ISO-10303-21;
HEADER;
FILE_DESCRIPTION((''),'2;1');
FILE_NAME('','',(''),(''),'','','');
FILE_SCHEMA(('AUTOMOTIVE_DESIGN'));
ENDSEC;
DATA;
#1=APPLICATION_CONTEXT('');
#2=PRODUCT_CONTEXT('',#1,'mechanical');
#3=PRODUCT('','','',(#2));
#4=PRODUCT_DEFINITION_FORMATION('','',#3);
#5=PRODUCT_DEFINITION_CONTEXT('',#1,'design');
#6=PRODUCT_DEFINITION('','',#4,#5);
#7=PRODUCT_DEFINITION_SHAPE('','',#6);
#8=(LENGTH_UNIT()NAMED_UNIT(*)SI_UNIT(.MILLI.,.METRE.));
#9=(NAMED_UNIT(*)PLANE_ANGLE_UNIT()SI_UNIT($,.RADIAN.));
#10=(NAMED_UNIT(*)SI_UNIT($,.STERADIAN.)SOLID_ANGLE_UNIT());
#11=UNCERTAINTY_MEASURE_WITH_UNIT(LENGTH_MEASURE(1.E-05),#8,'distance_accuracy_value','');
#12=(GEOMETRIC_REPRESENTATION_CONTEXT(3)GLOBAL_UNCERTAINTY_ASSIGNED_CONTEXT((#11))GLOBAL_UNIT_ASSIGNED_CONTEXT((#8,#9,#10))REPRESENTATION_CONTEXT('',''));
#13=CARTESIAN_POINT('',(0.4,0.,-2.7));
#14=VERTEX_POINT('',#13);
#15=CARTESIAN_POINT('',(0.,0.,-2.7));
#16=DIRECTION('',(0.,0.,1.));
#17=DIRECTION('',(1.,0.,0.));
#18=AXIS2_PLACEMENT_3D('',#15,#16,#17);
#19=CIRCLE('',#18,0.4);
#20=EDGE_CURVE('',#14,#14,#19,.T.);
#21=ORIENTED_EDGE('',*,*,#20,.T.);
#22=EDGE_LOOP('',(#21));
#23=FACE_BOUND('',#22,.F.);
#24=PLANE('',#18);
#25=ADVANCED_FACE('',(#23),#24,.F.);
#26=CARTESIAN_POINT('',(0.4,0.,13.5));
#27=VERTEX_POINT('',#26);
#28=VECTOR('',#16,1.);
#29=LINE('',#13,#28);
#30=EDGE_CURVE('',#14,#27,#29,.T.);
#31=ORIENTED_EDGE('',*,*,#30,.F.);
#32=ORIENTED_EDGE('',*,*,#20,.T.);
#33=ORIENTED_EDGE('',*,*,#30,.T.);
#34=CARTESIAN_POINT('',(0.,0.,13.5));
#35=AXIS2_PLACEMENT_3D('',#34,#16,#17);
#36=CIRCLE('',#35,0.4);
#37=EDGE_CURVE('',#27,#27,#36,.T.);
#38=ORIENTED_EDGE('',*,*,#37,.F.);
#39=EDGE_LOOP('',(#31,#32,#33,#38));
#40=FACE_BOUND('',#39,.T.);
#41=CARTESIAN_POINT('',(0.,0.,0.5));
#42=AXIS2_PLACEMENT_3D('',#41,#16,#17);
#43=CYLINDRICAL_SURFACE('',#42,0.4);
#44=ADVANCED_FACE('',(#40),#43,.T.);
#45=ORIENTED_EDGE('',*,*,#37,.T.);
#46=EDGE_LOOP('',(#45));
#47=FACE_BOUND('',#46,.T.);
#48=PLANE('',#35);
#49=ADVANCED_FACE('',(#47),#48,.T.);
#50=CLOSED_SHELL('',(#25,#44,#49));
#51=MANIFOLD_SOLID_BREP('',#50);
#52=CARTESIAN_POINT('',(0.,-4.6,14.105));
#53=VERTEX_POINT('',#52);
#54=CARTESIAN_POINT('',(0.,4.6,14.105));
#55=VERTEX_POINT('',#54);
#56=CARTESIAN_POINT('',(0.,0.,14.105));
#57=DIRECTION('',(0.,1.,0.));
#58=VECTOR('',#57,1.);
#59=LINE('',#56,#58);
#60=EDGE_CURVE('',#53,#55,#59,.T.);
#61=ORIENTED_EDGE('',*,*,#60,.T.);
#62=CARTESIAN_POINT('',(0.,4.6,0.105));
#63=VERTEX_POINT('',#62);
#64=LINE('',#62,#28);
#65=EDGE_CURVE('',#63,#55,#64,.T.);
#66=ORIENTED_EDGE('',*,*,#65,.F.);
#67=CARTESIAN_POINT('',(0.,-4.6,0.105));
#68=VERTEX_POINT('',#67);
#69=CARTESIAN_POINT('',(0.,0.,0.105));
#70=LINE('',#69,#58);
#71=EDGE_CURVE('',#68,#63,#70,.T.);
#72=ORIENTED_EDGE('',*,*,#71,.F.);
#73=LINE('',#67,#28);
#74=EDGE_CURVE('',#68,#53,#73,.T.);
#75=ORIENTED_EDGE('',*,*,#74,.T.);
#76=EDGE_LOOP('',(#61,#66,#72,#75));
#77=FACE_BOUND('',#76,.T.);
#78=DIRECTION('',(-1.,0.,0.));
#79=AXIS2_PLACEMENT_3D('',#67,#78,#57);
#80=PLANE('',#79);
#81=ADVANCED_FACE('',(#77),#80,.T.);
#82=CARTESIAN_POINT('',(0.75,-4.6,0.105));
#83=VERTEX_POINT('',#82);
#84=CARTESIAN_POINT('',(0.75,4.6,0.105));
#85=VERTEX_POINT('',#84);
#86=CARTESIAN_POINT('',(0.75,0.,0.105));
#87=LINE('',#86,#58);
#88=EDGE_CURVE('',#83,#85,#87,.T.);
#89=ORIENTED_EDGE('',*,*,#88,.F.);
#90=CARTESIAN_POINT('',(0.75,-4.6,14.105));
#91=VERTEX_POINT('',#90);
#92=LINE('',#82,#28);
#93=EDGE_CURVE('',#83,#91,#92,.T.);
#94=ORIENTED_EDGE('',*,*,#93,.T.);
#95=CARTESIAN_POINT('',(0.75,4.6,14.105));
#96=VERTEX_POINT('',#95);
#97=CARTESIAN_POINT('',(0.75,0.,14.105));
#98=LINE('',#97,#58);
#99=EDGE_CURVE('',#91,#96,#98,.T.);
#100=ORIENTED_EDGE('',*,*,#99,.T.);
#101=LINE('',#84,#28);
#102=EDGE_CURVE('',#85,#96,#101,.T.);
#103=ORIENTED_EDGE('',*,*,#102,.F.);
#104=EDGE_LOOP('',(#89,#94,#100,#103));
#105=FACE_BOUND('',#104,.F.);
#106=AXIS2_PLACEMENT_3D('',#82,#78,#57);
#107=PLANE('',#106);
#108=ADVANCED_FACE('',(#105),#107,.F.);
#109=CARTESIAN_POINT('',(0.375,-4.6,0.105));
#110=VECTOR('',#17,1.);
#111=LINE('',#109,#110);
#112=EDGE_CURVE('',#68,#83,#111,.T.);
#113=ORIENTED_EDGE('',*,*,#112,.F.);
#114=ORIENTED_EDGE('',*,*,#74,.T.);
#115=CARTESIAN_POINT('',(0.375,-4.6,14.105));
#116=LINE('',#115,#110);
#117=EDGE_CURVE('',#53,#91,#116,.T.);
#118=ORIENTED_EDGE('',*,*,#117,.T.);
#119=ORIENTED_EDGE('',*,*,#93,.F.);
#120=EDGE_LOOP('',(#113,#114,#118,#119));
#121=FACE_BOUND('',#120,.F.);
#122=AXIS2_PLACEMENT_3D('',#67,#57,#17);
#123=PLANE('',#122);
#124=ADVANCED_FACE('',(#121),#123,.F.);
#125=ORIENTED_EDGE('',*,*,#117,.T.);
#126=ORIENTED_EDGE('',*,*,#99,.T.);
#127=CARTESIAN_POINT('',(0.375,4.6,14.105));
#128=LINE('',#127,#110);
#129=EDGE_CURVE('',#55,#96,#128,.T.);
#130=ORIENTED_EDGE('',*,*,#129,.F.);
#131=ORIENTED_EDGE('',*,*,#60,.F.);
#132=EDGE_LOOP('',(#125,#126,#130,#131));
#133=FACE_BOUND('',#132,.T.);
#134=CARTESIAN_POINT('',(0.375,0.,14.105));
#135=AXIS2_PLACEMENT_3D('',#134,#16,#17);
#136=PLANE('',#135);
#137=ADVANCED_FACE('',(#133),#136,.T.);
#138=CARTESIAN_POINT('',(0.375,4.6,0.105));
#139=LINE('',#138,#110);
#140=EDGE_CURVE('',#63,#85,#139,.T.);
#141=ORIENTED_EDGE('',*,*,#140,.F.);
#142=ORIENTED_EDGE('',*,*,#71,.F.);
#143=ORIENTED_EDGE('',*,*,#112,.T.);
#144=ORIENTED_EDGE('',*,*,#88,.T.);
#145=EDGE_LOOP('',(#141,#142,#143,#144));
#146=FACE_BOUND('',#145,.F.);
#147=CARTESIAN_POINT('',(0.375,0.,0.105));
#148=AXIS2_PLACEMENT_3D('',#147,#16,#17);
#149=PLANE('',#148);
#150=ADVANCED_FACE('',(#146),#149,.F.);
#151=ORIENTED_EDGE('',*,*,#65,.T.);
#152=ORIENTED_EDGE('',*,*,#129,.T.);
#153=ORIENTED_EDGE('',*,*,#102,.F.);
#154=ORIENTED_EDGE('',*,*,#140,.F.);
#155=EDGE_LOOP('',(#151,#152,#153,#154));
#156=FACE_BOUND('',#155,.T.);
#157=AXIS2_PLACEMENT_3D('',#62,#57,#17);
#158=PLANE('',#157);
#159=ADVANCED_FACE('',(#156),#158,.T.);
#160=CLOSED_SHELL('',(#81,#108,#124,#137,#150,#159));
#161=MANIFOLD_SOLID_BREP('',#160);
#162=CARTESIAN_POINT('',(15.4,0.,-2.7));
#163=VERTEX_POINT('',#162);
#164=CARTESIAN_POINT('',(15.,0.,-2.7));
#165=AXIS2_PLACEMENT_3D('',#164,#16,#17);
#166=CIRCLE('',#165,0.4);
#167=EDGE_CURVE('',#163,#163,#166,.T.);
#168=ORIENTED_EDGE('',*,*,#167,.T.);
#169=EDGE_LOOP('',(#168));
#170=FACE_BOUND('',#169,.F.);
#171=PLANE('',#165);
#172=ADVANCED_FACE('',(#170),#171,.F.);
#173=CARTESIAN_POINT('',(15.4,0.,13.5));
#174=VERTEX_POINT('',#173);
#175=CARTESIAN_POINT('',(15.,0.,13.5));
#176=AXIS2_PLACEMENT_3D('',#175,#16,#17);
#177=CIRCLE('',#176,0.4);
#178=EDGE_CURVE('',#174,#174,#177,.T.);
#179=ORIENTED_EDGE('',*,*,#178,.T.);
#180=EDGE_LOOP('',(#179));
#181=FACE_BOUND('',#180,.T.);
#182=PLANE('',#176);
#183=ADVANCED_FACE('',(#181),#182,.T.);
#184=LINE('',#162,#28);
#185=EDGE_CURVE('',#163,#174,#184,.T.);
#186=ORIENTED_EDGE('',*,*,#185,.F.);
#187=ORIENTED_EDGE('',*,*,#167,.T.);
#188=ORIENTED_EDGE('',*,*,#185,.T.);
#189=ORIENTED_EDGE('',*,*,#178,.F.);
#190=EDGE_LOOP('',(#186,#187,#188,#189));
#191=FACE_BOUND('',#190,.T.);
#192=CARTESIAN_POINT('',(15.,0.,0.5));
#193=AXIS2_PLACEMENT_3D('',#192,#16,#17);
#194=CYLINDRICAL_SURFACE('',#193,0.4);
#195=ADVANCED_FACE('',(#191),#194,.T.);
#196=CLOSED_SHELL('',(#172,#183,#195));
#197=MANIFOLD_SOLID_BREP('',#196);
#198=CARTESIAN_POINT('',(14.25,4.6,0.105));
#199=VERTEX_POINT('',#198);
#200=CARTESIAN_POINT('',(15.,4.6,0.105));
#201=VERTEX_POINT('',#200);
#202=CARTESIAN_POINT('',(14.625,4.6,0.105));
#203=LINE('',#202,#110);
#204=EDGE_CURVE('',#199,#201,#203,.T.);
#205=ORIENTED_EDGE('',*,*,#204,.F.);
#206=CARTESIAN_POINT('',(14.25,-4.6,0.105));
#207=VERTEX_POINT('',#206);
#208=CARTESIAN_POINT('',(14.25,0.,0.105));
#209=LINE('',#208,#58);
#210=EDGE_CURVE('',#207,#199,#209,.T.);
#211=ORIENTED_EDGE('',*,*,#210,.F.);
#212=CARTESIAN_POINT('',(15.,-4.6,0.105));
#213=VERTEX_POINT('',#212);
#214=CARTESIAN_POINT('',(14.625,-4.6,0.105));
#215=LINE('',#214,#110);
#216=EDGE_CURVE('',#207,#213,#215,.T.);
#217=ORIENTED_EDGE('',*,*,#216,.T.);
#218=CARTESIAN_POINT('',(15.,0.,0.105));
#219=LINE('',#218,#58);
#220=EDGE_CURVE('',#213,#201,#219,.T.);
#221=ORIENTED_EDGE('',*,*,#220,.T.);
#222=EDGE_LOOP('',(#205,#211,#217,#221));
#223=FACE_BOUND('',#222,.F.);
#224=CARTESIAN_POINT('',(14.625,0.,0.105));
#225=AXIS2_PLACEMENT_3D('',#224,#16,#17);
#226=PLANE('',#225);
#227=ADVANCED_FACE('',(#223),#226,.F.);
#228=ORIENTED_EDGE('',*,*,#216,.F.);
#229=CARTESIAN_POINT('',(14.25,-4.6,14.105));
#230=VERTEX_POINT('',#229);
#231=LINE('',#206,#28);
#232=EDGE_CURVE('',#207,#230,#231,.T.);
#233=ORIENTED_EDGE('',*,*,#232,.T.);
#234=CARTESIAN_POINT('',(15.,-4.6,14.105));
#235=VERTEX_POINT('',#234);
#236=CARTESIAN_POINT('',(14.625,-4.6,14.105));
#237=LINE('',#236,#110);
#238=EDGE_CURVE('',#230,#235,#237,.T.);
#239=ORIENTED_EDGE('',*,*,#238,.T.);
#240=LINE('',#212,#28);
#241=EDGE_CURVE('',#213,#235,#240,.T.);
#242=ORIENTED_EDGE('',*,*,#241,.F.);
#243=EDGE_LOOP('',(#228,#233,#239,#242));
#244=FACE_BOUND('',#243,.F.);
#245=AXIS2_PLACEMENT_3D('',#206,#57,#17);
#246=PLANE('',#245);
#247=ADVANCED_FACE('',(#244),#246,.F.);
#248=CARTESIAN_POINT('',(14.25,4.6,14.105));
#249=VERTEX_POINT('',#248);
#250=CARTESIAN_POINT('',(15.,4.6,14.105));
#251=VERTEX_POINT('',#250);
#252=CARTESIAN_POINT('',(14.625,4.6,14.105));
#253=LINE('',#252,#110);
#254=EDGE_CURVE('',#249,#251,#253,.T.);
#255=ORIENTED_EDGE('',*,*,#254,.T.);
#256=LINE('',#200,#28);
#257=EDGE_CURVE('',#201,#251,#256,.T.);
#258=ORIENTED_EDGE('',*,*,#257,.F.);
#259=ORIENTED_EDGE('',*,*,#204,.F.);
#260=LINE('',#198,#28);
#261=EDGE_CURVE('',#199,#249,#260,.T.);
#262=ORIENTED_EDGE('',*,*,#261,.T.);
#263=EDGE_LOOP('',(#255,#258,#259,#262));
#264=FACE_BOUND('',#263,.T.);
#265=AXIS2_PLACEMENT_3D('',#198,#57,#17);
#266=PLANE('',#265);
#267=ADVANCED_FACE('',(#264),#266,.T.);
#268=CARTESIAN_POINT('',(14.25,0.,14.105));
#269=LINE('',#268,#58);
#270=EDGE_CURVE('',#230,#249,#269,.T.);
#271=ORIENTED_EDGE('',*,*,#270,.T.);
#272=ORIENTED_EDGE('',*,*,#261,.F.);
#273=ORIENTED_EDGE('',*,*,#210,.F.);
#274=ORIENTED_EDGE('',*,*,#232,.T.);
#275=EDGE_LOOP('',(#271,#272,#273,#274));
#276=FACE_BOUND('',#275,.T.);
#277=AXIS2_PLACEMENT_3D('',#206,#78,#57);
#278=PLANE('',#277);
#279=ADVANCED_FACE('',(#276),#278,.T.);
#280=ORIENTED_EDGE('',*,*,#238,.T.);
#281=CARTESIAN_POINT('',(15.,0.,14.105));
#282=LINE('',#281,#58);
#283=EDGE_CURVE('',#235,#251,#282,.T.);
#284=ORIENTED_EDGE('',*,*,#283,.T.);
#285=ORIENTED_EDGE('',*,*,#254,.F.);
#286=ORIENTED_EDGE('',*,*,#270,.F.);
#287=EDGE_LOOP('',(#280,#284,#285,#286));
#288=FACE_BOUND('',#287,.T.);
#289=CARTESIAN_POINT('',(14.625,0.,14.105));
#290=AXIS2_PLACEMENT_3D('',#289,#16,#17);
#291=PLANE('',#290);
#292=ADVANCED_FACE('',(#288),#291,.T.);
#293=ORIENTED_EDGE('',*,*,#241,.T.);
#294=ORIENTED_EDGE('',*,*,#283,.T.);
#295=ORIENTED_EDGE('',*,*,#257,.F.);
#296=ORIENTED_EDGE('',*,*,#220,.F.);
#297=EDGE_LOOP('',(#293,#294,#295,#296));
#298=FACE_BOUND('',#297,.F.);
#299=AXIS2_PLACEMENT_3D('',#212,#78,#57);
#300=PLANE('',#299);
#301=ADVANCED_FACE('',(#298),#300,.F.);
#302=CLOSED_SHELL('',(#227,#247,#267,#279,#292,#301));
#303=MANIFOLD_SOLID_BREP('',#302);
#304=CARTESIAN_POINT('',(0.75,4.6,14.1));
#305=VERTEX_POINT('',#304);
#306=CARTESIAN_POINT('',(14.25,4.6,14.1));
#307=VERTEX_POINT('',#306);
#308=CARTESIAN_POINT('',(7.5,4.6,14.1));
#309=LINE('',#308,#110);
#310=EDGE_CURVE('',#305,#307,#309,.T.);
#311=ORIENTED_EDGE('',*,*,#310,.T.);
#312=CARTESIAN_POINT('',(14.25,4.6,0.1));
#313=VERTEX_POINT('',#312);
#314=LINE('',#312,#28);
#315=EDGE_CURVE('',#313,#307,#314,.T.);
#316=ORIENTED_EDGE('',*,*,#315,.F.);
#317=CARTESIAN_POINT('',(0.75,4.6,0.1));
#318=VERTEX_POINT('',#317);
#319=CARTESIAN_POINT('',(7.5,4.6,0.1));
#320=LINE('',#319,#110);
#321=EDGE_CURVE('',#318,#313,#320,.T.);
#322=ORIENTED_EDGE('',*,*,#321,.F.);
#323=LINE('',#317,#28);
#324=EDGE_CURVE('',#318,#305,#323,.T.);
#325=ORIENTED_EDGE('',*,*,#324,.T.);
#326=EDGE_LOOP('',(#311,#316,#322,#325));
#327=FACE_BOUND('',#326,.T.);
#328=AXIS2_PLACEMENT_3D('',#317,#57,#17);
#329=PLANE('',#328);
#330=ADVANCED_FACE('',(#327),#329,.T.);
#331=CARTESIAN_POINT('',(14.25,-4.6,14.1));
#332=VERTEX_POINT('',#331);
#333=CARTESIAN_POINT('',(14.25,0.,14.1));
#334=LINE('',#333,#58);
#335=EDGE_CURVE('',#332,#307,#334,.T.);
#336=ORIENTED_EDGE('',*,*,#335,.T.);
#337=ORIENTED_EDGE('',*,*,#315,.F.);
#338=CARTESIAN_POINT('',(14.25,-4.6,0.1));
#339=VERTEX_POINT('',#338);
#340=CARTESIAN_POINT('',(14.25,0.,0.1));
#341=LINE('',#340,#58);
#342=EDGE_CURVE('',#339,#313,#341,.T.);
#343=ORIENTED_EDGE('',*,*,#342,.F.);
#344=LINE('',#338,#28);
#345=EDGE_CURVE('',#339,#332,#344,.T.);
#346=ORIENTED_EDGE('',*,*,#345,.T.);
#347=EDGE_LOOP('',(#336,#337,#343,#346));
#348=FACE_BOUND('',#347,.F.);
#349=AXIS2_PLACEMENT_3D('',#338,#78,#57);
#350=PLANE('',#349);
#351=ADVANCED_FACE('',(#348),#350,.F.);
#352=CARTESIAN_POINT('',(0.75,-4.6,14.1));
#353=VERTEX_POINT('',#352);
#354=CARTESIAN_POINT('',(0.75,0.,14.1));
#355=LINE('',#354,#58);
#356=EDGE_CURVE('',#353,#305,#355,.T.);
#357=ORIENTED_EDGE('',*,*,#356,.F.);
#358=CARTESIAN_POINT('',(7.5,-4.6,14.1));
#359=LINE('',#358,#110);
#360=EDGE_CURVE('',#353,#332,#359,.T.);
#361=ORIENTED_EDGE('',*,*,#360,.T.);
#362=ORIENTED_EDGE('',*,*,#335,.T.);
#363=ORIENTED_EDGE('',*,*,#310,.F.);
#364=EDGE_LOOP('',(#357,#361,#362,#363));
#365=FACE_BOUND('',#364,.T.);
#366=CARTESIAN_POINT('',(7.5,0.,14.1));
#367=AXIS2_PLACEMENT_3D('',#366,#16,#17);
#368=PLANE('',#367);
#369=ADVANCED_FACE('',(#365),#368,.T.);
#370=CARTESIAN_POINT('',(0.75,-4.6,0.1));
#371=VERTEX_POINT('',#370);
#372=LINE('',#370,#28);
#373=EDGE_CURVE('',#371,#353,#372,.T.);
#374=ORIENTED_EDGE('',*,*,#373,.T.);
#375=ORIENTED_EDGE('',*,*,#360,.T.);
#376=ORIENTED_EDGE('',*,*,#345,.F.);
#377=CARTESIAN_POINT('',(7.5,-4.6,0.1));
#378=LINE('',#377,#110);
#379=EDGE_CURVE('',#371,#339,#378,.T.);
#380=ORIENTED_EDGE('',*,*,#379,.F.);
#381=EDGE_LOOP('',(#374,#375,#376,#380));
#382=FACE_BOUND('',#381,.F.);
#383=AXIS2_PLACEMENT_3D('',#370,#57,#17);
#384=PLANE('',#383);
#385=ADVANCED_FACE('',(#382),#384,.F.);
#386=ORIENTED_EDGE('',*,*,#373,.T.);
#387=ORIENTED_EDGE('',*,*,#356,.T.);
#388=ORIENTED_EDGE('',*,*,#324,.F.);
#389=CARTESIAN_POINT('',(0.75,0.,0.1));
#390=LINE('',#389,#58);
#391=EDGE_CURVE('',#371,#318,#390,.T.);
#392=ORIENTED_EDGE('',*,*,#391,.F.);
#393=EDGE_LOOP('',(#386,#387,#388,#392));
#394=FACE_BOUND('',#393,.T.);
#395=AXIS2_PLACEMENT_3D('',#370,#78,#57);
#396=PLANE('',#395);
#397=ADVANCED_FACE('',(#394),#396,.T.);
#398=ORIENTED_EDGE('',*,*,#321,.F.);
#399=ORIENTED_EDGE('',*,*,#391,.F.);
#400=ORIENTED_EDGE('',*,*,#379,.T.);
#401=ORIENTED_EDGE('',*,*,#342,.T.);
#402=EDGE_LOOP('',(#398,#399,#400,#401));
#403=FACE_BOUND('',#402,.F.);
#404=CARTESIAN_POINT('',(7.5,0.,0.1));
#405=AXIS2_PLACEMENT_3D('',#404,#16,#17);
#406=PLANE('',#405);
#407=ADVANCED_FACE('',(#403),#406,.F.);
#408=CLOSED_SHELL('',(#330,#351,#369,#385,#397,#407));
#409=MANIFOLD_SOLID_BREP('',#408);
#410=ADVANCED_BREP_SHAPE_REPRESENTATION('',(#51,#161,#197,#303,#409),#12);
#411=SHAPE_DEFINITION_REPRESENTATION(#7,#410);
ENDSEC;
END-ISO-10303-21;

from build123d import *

# Parameters (mm, degrees)
SKETCH_W          = 13.5
SKETCH_H          = 9.2
PAD_DEPTH         = 14
SKETCH001_R       = 0.4
PAD001_DEPTH      = 13
PAD001_DEPTH_BACK = 3.2
SKETCH002_W       = 0.75
SKETCH002_H       = 9.2
PAD002_DEPTH      = 14


with BuildPart() as pad:
    # Sketch → Pad (new body)
    with BuildSketch(Plane.XY.offset(0.1)):
        with Locations((7.5, 0)):
            Rectangle(SKETCH_W, SKETCH_H)
    extrude(amount=PAD_DEPTH)


with BuildPart() as pad001:
    # Sketch001 → Pad001 (new body, two sides)
    with BuildSketch(Plane.XY.offset(0.5)) as pad001_sk:
        Circle(SKETCH001_R)
        with Locations((15, 0)):
            Circle(SKETCH001_R)
    extrude(amount=PAD001_DEPTH)
    extrude(pad001_sk.sketch, amount=-PAD001_DEPTH_BACK)


with BuildPart() as pad002:
    # Sketch002 → Pad002 (new body)
    with BuildSketch(Plane.XY.offset(0.105)):
        with Locations((0.375, 0)):
            Rectangle(SKETCH002_W, SKETCH002_H)
        with Locations((14.625, 0)):
            Rectangle(SKETCH002_W, SKETCH002_H)
    extrude(amount=PAD002_DEPTH)


solid = Compound([pad.part, pad001.part, pad002.part])
